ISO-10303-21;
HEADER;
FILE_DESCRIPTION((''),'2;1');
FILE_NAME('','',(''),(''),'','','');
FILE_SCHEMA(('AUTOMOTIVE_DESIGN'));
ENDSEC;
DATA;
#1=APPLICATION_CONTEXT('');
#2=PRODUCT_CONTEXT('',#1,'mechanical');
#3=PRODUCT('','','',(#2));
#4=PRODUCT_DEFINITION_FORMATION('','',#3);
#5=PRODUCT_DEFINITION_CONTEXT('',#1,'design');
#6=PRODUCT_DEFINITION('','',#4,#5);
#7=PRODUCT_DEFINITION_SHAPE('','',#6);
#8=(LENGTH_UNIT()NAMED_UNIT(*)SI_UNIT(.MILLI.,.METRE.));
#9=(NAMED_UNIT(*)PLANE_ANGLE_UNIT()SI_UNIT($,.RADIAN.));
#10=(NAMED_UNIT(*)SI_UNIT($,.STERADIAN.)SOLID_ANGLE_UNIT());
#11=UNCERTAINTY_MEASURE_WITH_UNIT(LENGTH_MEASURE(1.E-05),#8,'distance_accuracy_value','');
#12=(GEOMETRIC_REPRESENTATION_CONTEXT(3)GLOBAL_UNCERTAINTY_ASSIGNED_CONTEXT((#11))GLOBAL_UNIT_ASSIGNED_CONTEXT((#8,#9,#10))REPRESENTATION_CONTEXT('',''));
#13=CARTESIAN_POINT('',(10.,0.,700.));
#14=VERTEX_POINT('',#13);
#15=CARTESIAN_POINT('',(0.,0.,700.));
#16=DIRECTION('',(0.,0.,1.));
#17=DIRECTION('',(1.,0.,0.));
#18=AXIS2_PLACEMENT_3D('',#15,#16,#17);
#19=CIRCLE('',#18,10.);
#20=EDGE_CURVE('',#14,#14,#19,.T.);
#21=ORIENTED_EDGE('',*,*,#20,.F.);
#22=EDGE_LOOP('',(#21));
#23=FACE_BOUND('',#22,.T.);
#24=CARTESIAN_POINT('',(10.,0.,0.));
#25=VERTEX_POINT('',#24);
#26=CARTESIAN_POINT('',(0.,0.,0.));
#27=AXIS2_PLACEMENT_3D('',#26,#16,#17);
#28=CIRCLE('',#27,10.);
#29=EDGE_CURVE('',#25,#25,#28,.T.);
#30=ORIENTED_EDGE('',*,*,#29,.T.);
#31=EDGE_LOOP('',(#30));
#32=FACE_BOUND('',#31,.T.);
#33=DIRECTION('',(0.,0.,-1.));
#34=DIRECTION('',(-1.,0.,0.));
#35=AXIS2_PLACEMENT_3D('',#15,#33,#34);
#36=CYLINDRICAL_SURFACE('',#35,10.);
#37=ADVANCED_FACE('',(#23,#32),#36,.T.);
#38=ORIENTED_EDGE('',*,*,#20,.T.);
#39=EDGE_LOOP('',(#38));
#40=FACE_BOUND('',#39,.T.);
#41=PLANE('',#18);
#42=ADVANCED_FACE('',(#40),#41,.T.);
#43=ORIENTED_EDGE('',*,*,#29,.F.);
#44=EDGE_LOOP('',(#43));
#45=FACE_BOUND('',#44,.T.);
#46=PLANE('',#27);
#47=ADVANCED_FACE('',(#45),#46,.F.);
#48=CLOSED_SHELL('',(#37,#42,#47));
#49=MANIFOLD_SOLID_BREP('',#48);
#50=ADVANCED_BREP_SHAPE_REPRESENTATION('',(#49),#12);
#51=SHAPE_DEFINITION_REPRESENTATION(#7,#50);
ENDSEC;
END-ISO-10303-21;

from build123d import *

# Parameters (mm, degrees)
ESQUISSE1_R        = 10
BOSS_EXTRU_1_DEPTH = 700


with BuildPart() as part:
    # Esquisse1 → Boss.-Extru.1 (new body)
    with BuildSketch(Plane.XY):
        Circle(ESQUISSE1_R)
    extrude(amount=BOSS_EXTRU_1_DEPTH)


solid = part.part
